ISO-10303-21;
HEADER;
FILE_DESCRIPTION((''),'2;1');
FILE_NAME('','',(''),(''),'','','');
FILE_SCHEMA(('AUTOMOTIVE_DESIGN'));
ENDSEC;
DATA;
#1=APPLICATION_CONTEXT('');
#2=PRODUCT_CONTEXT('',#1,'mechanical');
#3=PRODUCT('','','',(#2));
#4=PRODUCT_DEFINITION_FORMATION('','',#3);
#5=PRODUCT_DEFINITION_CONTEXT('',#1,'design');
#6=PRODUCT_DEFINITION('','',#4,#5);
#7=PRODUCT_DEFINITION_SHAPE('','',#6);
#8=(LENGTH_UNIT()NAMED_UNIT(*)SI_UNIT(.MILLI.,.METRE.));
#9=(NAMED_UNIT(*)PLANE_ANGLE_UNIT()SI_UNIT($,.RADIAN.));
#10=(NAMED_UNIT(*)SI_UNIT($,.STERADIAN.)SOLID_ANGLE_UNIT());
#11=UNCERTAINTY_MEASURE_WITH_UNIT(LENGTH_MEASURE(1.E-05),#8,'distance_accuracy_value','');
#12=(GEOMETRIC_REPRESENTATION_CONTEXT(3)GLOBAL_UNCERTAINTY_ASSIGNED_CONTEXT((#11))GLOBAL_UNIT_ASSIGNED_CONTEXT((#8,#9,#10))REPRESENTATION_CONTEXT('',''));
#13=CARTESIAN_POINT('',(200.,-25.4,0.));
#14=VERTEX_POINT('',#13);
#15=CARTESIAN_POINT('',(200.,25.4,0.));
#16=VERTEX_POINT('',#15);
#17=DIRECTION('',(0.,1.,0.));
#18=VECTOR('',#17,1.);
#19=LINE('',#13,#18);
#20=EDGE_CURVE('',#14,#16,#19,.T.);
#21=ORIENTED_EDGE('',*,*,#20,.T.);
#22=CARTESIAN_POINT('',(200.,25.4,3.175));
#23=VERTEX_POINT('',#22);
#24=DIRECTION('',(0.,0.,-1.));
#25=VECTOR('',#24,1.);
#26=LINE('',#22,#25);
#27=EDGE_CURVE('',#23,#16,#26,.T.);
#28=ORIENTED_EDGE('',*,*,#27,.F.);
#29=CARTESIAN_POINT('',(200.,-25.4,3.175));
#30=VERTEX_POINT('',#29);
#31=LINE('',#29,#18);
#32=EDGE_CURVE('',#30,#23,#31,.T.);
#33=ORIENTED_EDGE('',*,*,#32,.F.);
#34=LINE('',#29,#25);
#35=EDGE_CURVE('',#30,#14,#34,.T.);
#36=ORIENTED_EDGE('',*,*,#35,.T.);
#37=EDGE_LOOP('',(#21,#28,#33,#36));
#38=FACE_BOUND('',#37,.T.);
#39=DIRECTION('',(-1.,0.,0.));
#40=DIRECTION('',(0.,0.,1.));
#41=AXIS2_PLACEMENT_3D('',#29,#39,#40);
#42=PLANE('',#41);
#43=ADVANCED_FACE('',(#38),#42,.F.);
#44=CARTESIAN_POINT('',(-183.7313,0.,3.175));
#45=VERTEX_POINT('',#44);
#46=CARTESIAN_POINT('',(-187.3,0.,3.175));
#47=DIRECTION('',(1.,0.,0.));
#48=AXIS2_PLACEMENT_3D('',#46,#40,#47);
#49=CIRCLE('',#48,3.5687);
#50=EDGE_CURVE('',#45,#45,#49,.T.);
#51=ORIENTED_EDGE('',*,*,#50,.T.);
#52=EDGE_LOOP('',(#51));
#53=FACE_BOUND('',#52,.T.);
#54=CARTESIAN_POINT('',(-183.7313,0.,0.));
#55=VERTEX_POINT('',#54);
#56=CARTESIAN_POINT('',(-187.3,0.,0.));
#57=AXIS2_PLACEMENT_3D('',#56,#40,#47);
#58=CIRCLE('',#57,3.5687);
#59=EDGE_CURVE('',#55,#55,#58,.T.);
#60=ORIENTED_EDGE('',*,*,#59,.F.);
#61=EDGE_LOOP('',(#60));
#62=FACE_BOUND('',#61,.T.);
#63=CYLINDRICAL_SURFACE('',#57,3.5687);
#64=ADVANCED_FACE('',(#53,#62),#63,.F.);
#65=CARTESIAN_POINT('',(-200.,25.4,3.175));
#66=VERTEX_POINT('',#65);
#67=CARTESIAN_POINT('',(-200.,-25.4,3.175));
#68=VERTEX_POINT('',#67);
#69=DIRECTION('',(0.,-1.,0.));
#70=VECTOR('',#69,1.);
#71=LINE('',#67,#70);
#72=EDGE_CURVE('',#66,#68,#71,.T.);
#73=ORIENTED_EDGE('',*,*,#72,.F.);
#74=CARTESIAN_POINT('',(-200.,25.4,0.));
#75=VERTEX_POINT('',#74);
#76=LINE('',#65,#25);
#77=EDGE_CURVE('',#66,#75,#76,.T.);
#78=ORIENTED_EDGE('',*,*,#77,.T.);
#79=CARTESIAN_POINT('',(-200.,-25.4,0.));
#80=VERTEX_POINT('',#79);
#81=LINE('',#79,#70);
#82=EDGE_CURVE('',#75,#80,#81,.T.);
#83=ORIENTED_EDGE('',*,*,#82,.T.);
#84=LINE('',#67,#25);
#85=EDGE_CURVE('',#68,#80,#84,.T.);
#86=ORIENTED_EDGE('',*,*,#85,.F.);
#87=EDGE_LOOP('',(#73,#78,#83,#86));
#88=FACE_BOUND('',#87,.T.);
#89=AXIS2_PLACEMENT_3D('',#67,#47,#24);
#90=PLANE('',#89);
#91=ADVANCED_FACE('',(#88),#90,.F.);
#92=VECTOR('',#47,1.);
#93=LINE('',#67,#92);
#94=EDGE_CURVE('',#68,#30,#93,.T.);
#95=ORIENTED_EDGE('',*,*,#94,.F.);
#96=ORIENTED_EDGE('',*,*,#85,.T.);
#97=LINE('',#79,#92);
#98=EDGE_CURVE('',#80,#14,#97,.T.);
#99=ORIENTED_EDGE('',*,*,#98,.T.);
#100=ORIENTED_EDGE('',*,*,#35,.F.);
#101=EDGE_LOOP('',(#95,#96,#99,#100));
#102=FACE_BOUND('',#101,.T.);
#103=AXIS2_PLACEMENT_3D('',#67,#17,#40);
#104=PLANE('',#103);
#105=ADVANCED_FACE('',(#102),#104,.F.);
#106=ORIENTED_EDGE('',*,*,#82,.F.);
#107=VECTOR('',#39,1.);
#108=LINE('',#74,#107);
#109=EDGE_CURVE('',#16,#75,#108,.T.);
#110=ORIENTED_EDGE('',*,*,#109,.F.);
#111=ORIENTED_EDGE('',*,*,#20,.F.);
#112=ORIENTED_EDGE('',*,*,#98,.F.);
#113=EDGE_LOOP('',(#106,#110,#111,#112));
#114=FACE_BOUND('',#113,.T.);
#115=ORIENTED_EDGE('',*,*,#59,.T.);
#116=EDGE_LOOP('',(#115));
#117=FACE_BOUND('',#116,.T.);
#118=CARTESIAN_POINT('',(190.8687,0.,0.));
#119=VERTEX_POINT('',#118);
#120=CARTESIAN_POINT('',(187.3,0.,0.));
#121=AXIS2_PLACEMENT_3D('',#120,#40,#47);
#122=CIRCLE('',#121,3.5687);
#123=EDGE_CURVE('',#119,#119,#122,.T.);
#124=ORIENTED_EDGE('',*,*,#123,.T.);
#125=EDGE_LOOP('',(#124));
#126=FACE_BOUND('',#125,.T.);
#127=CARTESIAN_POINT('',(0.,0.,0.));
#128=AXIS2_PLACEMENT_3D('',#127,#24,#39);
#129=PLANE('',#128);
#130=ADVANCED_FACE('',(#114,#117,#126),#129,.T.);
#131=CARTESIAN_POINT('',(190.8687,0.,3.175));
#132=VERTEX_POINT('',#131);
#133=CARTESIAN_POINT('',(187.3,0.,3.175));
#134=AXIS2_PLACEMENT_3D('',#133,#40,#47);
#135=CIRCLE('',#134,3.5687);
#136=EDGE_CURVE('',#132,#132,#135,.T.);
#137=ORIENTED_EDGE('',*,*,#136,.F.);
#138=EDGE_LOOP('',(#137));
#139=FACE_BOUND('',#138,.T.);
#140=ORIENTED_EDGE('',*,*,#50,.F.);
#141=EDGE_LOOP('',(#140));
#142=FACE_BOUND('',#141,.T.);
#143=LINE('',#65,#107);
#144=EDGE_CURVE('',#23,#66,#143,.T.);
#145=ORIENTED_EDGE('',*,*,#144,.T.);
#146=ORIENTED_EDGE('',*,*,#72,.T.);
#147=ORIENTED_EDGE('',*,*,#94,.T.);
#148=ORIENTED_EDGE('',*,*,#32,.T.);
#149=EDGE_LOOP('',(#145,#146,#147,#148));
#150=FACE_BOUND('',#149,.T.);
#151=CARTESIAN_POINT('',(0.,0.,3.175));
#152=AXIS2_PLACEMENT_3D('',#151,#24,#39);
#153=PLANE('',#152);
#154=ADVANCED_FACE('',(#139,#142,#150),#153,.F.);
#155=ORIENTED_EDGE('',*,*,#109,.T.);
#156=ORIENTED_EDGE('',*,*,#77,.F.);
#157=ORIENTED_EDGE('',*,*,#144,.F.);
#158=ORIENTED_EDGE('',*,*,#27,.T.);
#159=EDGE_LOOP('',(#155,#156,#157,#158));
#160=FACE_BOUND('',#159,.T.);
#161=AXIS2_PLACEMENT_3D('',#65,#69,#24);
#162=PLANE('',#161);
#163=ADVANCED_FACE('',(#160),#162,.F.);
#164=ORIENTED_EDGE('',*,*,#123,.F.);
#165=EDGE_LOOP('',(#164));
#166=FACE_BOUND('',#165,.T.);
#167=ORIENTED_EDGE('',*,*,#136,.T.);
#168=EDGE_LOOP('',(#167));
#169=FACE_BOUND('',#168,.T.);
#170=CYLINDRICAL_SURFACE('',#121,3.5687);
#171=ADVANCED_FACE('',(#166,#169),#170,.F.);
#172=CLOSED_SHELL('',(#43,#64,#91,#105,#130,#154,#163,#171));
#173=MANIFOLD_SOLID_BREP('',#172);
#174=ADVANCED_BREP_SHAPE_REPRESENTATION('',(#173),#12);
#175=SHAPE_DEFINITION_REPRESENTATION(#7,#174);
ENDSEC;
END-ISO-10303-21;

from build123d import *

# Parameters (mm, degrees)
SKETCH1_W           = 400
SKETCH1_H           = 50.8
BOSS_EXTRUDE1_DEPTH = 3.175
SKETCH2_R           = 3.5687
CUT_EXTRUDE1_DEPTH  = 4.175


with BuildPart() as part:
    # Sketch1 → Boss-Extrude1 (new body)
    with BuildSketch(Plane.XY):
        Rectangle(SKETCH1_W, SKETCH1_H)
    extrude(amount=BOSS_EXTRUDE1_DEPTH)

    # Sketch2 → Cut-Extrude1 (cut, through all)
    with BuildSketch(Plane.XY.offset(3.175)):
        with Locations((-187.3, 0)):
            Circle(SKETCH2_R)
        with Locations((187.3, 0)):
            Circle(SKETCH2_R)
    extrude(amount=-CUT_EXTRUDE1_DEPTH, mode=Mode.SUBTRACT)


solid = part.part
